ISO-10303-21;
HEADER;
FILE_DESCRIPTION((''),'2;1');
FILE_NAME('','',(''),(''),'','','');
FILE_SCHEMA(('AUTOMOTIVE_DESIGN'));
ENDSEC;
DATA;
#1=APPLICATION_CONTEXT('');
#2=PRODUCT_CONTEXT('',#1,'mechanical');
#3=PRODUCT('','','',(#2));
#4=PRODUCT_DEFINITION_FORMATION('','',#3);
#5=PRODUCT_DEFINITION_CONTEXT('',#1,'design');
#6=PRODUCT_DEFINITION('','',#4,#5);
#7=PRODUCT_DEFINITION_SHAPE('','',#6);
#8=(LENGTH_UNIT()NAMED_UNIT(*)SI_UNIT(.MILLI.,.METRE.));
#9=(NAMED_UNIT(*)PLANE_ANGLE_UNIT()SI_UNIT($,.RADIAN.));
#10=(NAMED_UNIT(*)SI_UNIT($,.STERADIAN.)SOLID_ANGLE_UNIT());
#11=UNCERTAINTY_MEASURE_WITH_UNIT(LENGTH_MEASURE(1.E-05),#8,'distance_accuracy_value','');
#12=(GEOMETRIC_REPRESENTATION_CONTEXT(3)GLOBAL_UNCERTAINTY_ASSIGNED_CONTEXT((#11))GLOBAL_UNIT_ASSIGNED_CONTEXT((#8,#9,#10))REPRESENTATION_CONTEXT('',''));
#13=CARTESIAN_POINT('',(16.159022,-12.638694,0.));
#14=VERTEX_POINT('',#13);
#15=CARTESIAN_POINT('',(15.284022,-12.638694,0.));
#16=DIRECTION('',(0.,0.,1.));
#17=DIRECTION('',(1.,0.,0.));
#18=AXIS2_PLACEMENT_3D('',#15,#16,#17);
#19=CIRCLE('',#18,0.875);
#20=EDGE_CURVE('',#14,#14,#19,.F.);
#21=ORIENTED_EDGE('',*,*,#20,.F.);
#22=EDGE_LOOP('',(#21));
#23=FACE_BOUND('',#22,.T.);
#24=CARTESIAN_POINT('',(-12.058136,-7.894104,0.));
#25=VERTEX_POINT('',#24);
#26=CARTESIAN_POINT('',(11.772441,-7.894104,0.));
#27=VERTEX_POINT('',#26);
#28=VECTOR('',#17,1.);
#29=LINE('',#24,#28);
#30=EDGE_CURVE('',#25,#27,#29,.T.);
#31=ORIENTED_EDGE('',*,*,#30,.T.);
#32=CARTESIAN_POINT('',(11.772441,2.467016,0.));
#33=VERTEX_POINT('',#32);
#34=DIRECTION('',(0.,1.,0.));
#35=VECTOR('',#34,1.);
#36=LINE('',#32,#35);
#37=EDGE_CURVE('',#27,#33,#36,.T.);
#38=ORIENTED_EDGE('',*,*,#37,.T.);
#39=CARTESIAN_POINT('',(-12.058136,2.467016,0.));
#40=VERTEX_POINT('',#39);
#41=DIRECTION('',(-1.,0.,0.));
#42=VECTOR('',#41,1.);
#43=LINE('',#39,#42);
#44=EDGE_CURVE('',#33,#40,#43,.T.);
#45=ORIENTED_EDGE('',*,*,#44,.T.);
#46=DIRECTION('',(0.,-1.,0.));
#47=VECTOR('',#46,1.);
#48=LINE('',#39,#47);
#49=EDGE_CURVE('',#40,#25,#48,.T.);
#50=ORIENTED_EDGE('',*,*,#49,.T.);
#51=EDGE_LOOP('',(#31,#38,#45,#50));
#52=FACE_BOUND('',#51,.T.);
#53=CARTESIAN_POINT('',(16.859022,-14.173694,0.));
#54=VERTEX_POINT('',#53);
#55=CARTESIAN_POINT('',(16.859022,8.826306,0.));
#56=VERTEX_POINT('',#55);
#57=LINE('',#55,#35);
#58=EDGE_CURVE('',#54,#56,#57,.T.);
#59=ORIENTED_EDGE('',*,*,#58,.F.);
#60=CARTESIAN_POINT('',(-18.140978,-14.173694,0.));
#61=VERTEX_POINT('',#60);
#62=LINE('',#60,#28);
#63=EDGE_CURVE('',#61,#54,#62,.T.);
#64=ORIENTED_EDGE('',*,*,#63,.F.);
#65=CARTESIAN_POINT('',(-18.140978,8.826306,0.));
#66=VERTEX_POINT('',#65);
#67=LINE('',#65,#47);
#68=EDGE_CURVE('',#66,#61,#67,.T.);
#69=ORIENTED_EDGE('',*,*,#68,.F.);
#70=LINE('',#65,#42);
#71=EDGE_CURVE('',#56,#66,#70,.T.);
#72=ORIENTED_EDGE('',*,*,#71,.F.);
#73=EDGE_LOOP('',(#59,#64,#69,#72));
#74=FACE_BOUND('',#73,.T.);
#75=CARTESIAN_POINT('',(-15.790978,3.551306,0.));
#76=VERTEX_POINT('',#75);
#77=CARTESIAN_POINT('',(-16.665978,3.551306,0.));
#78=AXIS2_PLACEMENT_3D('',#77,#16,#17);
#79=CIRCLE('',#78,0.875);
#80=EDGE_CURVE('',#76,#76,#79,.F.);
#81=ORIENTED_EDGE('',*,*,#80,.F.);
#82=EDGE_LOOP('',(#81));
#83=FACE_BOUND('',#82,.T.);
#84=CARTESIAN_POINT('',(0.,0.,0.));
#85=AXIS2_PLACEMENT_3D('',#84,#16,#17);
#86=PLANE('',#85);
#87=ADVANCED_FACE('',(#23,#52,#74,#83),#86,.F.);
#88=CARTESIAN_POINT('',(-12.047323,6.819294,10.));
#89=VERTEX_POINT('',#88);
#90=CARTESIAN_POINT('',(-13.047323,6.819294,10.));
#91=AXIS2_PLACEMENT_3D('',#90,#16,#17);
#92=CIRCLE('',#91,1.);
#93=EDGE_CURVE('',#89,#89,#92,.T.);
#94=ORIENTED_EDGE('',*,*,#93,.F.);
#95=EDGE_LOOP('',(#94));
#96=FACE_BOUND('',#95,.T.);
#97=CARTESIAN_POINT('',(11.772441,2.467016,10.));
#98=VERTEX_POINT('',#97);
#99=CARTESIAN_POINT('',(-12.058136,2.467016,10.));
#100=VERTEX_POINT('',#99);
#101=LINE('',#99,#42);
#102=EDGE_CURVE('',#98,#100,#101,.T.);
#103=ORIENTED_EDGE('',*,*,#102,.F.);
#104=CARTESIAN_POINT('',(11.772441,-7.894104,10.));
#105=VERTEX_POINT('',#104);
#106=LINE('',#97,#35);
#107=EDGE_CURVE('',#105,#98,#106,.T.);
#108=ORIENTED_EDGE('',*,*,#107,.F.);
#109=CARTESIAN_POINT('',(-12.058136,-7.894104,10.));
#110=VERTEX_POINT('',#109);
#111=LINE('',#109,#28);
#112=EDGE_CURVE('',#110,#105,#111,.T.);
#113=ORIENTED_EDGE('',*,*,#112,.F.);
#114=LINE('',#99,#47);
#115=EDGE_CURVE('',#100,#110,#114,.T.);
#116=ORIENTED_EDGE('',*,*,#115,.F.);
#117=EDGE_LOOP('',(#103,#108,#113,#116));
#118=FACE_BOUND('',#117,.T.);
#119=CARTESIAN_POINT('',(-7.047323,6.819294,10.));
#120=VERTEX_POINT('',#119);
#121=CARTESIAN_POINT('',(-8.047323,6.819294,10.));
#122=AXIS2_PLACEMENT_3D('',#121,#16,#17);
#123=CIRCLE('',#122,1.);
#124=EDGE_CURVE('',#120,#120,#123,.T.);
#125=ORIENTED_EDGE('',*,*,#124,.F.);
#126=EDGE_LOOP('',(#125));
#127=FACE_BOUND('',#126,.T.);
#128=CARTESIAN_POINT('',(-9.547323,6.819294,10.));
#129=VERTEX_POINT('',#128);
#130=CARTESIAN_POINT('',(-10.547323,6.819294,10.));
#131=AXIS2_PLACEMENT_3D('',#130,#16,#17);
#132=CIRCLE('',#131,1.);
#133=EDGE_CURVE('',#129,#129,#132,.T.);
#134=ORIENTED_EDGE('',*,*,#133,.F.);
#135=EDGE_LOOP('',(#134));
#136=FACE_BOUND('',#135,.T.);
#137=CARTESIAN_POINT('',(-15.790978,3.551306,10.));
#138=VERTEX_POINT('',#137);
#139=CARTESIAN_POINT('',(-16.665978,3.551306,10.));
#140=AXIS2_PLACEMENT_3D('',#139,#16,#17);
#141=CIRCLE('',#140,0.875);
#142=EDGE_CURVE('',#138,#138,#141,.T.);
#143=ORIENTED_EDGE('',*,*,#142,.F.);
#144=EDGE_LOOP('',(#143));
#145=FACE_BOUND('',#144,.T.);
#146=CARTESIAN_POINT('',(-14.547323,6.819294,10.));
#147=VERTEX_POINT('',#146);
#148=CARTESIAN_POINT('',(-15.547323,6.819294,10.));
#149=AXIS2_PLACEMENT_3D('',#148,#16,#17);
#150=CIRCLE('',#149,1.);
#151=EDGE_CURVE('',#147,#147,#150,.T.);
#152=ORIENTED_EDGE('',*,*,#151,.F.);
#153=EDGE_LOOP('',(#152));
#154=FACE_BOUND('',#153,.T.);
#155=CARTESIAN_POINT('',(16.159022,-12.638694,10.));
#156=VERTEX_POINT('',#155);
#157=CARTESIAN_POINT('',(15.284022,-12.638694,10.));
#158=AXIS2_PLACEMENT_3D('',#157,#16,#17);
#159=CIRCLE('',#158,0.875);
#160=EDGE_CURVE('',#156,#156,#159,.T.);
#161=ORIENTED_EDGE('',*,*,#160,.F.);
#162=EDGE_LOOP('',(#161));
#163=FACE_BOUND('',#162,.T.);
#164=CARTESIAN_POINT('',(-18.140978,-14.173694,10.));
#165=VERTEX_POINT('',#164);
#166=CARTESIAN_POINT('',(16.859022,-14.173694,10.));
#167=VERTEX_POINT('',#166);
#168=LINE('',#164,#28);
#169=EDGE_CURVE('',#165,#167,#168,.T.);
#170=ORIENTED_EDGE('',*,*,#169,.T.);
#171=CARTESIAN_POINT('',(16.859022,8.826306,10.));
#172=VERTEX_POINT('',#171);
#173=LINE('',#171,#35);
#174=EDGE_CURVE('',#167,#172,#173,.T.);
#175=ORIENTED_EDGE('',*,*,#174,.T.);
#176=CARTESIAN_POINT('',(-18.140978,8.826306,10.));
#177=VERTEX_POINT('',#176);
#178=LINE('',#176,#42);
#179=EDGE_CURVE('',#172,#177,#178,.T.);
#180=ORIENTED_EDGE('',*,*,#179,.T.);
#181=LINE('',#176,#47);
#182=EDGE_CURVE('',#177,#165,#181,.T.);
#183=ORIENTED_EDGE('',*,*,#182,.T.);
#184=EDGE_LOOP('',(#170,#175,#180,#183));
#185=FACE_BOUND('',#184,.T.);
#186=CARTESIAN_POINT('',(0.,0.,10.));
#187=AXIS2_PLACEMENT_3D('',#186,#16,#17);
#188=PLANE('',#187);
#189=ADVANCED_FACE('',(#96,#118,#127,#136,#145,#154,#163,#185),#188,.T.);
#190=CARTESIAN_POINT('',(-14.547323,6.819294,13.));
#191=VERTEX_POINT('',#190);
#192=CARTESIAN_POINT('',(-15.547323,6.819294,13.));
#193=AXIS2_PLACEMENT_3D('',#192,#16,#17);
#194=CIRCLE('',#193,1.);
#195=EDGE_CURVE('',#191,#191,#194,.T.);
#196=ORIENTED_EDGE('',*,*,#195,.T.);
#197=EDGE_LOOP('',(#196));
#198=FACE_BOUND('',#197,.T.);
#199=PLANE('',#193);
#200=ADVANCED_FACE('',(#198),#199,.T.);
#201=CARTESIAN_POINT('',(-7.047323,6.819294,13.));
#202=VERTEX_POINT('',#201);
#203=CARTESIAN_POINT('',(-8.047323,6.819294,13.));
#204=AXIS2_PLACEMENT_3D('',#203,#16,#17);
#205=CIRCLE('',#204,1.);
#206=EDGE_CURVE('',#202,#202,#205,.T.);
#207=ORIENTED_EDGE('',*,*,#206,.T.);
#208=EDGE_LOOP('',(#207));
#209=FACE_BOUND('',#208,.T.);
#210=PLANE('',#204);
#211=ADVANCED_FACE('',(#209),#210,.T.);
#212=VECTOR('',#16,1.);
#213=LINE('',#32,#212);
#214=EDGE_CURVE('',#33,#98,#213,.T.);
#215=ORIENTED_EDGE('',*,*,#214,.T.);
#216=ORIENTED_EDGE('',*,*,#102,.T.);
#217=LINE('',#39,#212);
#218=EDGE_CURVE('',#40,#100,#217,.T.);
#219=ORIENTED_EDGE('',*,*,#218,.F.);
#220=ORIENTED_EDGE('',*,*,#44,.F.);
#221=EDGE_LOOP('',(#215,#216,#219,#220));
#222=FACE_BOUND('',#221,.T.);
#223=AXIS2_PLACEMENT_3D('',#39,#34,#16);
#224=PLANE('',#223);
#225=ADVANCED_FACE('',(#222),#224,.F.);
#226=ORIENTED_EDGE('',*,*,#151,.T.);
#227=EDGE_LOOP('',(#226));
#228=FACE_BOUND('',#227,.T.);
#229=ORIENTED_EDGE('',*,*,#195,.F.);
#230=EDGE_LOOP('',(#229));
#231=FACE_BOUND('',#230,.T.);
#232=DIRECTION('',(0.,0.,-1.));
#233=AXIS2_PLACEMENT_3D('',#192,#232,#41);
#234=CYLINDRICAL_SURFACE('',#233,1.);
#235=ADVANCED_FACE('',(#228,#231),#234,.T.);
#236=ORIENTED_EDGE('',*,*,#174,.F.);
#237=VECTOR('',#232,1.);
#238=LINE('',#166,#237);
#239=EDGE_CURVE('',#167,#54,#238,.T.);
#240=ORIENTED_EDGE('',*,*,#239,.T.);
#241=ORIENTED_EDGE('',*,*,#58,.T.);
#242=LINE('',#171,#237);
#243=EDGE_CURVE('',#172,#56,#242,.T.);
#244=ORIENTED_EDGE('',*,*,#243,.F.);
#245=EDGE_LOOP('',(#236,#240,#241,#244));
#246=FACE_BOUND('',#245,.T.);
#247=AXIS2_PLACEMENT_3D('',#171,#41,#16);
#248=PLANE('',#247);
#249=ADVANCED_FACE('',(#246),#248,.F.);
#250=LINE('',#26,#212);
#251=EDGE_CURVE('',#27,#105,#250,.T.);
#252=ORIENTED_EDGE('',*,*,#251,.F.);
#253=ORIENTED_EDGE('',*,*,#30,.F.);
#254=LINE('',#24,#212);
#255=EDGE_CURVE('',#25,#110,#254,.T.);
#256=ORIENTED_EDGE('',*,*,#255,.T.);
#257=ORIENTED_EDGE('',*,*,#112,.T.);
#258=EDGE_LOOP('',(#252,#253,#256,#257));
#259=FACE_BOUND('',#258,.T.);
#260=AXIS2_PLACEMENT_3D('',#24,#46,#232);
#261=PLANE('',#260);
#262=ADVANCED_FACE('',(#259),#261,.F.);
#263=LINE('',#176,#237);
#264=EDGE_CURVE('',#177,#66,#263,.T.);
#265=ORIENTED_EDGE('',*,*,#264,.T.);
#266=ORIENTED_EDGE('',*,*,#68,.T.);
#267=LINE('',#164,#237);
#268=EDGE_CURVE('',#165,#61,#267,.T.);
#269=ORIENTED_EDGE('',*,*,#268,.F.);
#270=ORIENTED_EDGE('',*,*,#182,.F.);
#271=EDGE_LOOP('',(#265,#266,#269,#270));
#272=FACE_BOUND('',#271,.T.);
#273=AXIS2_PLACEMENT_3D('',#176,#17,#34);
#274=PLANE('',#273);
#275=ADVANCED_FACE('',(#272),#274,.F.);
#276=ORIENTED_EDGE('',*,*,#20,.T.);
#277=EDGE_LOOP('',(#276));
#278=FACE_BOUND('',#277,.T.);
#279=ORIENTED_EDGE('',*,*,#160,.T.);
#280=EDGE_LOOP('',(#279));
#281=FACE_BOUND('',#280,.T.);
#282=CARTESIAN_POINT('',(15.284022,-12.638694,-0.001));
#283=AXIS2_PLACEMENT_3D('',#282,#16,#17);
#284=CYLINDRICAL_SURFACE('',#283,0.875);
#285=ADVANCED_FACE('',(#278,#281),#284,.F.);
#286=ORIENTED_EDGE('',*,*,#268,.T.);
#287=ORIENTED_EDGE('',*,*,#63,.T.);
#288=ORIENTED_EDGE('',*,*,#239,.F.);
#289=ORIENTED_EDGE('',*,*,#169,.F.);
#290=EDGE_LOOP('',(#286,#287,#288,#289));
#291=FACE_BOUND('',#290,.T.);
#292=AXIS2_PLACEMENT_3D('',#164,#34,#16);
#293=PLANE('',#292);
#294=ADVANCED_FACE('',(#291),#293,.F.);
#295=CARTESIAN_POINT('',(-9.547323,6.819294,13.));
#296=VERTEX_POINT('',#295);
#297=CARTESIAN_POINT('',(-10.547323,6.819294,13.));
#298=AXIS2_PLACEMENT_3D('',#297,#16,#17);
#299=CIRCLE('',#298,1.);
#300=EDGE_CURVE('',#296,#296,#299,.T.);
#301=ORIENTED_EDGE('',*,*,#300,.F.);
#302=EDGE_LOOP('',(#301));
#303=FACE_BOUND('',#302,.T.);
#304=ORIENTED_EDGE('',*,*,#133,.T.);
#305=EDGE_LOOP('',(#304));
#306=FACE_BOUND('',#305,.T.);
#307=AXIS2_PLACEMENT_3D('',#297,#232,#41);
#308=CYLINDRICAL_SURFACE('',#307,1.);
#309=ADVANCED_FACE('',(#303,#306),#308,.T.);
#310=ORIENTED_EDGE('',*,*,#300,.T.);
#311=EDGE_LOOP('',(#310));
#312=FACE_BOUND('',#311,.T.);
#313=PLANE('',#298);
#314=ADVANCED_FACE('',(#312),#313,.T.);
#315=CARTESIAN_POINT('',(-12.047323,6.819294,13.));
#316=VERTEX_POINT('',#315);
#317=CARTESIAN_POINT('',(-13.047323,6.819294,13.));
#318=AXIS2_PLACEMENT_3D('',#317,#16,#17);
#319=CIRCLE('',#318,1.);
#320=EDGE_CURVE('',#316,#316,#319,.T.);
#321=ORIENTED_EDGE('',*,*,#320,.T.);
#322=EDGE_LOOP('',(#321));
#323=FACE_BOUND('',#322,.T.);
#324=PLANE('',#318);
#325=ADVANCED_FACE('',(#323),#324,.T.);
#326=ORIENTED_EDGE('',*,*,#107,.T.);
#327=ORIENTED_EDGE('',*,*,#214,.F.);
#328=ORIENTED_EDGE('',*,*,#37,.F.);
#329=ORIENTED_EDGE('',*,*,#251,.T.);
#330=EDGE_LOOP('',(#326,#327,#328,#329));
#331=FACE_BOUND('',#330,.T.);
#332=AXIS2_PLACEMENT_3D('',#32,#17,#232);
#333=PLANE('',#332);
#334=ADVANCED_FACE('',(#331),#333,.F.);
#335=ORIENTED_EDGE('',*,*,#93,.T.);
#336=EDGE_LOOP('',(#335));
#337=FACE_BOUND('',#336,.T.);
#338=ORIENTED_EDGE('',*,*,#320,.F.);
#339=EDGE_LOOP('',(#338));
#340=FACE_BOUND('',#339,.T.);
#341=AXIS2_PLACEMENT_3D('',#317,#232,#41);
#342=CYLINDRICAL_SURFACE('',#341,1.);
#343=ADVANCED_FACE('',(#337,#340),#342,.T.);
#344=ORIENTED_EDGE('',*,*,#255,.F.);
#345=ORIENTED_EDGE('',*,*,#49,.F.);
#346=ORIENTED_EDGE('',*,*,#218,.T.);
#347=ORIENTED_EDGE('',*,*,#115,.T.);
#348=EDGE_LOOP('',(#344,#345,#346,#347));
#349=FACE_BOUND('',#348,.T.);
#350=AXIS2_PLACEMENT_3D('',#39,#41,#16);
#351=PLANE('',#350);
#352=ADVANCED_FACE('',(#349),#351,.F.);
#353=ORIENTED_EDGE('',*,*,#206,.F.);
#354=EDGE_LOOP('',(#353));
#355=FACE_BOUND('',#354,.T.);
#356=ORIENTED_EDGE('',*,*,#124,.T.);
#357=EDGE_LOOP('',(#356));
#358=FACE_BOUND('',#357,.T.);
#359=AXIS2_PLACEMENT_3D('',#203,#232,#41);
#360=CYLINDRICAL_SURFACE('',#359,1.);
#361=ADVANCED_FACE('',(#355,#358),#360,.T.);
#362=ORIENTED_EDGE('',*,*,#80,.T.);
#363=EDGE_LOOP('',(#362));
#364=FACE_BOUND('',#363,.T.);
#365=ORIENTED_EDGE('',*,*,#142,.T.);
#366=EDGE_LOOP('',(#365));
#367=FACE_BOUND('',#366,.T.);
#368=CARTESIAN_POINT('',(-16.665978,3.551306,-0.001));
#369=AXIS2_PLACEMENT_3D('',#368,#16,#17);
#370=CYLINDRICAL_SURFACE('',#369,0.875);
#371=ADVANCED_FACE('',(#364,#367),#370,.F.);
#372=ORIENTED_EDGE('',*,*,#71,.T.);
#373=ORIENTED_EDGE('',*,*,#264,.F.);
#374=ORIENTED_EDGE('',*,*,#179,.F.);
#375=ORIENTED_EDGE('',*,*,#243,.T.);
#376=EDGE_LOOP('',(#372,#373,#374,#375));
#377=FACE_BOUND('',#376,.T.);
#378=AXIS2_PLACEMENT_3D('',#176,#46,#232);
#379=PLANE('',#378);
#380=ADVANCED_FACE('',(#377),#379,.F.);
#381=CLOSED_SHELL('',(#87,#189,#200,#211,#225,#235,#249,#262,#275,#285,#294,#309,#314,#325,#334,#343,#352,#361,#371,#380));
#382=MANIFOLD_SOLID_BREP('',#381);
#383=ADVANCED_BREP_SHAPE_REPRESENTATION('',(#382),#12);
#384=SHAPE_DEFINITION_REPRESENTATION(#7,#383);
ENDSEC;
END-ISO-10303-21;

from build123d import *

# Parameters (mm, degrees)
SKETCH_1_W          = 35
SKETCH_1_H          = 23
EXTRUDE_1_DEPTH     = 10
SKETCH_2_W          = 23.830576701
SKETCH_2_H          = 10.361120305
CUT_EXTRUDE_1_DEPTH = 10
CUT_EXTRUDE_2_REACH = 27.1
SKETCH_3_R          = 0.875
SKETCH_4_R          = 1
EXTRUDE_2_DEPTH     = 3


with BuildPart() as part:
    # 草圖1 → 填料-伸長1 (new body)
    with BuildSketch(Plane.XY):
        with Locations((-0.640978345, -2.673693694)):
            Rectangle(SKETCH_1_W, SKETCH_1_H)
    extrude(amount=EXTRUDE_1_DEPTH)

    # 草圖2 → 除料-伸長1 (cut)
    with BuildSketch(Plane.XY.offset(10)):
        with Locations((-0.14284756, -2.713544157)):
            Rectangle(SKETCH_2_W, SKETCH_2_H)
    extrude(amount=-CUT_EXTRUDE_1_DEPTH, mode=Mode.SUBTRACT)

    # 草圖3 → 除料-伸長2 (cut, up to next)
    with BuildSketch(Plane.XY.offset(10), mode=Mode.PRIVATE) as cut_extrude_2_sk1:
        with Locations((-16.665978345, 3.551306306)):
            Circle(SKETCH_3_R)
    cut_extrude_2_tool1 = extrude(cut_extrude_2_sk1.sketch, amount=-CUT_EXTRUDE_2_REACH, mode=Mode.PRIVATE) & part.part
    # 草圖3 → 除料-伸長2 (cut, up to next)
    with BuildSketch(Plane.XY.offset(10), mode=Mode.PRIVATE) as cut_extrude_2_sk2:
        with Locations((15.284021655, -12.638693694)):
            Circle(SKETCH_3_R)
    cut_extrude_2_tool2 = extrude(cut_extrude_2_sk2.sketch, amount=-CUT_EXTRUDE_2_REACH, mode=Mode.PRIVATE) & part.part
    add(cut_extrude_2_tool1.solids().sort_by_distance((-16.665978, 3.551306, 10))[0], mode=Mode.SUBTRACT)
    add(cut_extrude_2_tool2.solids().sort_by_distance((15.284022, -12.638694, 10))[0], mode=Mode.SUBTRACT)

    # 草圖4 → 填料-伸長2 (add)
    with BuildSketch(Plane.XY.offset(10)):
        with Locations((-15.547323348, 6.81929444)):
            Circle(SKETCH_4_R)
        with Locations((-13.047323348, 6.81929444)):
            Circle(SKETCH_4_R)
        with Locations((-10.547323348, 6.81929444)):
            Circle(SKETCH_4_R)
        with Locations((-8.047323348, 6.81929444)):
            Circle(SKETCH_4_R)
    extrude(amount=EXTRUDE_2_DEPTH)


solid = part.part
